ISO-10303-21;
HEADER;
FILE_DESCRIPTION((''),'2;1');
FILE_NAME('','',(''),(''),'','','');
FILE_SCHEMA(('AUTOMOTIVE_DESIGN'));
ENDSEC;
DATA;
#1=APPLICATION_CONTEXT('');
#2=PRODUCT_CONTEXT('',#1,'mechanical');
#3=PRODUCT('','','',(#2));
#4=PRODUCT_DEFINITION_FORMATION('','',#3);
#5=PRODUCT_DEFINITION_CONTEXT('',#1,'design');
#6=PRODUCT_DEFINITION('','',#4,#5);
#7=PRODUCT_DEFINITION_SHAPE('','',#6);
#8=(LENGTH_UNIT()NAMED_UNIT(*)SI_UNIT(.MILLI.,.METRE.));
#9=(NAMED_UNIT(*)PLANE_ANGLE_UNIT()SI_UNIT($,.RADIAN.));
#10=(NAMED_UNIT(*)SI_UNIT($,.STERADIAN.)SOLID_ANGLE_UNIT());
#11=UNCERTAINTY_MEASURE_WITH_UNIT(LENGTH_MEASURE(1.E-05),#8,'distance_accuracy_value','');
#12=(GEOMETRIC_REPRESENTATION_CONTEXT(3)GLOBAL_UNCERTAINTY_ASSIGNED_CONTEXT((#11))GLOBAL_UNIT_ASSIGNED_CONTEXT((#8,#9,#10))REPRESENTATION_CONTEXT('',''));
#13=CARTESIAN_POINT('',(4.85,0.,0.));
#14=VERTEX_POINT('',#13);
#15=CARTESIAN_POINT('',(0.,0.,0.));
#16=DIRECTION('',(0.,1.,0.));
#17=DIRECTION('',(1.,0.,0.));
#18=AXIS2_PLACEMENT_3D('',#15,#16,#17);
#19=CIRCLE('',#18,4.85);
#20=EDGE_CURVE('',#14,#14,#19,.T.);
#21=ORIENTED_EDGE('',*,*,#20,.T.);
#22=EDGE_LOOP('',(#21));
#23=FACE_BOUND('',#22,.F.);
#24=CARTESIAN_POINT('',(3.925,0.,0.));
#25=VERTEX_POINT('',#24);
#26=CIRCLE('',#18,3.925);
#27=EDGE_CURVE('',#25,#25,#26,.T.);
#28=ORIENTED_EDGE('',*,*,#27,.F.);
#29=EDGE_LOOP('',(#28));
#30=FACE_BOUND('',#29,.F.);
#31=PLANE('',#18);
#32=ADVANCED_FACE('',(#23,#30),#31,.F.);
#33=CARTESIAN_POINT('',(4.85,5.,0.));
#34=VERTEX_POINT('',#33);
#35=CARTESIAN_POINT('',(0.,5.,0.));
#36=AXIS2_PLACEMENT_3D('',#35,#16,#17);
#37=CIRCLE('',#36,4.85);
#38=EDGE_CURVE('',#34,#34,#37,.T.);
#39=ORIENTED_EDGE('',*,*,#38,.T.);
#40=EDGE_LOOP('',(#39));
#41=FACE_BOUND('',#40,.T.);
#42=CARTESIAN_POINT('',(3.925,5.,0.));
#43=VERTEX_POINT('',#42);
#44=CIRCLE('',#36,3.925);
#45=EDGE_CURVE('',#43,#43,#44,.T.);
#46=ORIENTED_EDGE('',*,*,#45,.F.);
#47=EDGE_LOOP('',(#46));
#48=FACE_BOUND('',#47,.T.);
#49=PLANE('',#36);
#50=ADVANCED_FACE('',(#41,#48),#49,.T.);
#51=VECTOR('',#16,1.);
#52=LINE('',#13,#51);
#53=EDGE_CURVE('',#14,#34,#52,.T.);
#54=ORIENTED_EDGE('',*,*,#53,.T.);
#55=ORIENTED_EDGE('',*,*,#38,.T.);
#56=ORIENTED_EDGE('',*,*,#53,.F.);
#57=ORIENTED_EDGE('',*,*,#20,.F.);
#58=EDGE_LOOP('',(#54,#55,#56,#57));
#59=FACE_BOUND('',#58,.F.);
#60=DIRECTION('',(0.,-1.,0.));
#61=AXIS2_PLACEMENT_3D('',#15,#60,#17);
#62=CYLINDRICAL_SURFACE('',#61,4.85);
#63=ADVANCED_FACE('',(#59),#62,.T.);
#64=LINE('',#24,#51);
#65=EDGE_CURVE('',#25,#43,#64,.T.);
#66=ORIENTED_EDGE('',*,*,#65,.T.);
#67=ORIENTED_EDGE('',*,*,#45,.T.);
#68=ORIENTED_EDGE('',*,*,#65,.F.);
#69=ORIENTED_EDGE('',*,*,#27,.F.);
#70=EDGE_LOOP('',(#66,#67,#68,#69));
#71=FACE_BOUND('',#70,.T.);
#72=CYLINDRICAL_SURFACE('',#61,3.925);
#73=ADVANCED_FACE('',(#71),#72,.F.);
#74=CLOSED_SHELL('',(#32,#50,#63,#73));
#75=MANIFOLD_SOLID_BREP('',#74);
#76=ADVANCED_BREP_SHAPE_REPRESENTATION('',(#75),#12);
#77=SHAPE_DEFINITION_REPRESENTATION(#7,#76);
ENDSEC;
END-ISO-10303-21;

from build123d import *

# Parameters (mm, degrees)
SKETCH_1_R      = 4.85
SKETCH_1_R_2    = 3.925
EXTRUDE_1_DEPTH = 5


with BuildPart() as part:
    # 草图1 → 凸台-拉伸1 (new body)
    with BuildSketch(Plane(origin=(0, 0, 0), x_dir=(1, 0, 0), z_dir=(0, 1, 0))):
        Circle(SKETCH_1_R)
        Circle(SKETCH_1_R_2, mode=Mode.SUBTRACT)
    extrude(amount=EXTRUDE_1_DEPTH)


solid = part.part
